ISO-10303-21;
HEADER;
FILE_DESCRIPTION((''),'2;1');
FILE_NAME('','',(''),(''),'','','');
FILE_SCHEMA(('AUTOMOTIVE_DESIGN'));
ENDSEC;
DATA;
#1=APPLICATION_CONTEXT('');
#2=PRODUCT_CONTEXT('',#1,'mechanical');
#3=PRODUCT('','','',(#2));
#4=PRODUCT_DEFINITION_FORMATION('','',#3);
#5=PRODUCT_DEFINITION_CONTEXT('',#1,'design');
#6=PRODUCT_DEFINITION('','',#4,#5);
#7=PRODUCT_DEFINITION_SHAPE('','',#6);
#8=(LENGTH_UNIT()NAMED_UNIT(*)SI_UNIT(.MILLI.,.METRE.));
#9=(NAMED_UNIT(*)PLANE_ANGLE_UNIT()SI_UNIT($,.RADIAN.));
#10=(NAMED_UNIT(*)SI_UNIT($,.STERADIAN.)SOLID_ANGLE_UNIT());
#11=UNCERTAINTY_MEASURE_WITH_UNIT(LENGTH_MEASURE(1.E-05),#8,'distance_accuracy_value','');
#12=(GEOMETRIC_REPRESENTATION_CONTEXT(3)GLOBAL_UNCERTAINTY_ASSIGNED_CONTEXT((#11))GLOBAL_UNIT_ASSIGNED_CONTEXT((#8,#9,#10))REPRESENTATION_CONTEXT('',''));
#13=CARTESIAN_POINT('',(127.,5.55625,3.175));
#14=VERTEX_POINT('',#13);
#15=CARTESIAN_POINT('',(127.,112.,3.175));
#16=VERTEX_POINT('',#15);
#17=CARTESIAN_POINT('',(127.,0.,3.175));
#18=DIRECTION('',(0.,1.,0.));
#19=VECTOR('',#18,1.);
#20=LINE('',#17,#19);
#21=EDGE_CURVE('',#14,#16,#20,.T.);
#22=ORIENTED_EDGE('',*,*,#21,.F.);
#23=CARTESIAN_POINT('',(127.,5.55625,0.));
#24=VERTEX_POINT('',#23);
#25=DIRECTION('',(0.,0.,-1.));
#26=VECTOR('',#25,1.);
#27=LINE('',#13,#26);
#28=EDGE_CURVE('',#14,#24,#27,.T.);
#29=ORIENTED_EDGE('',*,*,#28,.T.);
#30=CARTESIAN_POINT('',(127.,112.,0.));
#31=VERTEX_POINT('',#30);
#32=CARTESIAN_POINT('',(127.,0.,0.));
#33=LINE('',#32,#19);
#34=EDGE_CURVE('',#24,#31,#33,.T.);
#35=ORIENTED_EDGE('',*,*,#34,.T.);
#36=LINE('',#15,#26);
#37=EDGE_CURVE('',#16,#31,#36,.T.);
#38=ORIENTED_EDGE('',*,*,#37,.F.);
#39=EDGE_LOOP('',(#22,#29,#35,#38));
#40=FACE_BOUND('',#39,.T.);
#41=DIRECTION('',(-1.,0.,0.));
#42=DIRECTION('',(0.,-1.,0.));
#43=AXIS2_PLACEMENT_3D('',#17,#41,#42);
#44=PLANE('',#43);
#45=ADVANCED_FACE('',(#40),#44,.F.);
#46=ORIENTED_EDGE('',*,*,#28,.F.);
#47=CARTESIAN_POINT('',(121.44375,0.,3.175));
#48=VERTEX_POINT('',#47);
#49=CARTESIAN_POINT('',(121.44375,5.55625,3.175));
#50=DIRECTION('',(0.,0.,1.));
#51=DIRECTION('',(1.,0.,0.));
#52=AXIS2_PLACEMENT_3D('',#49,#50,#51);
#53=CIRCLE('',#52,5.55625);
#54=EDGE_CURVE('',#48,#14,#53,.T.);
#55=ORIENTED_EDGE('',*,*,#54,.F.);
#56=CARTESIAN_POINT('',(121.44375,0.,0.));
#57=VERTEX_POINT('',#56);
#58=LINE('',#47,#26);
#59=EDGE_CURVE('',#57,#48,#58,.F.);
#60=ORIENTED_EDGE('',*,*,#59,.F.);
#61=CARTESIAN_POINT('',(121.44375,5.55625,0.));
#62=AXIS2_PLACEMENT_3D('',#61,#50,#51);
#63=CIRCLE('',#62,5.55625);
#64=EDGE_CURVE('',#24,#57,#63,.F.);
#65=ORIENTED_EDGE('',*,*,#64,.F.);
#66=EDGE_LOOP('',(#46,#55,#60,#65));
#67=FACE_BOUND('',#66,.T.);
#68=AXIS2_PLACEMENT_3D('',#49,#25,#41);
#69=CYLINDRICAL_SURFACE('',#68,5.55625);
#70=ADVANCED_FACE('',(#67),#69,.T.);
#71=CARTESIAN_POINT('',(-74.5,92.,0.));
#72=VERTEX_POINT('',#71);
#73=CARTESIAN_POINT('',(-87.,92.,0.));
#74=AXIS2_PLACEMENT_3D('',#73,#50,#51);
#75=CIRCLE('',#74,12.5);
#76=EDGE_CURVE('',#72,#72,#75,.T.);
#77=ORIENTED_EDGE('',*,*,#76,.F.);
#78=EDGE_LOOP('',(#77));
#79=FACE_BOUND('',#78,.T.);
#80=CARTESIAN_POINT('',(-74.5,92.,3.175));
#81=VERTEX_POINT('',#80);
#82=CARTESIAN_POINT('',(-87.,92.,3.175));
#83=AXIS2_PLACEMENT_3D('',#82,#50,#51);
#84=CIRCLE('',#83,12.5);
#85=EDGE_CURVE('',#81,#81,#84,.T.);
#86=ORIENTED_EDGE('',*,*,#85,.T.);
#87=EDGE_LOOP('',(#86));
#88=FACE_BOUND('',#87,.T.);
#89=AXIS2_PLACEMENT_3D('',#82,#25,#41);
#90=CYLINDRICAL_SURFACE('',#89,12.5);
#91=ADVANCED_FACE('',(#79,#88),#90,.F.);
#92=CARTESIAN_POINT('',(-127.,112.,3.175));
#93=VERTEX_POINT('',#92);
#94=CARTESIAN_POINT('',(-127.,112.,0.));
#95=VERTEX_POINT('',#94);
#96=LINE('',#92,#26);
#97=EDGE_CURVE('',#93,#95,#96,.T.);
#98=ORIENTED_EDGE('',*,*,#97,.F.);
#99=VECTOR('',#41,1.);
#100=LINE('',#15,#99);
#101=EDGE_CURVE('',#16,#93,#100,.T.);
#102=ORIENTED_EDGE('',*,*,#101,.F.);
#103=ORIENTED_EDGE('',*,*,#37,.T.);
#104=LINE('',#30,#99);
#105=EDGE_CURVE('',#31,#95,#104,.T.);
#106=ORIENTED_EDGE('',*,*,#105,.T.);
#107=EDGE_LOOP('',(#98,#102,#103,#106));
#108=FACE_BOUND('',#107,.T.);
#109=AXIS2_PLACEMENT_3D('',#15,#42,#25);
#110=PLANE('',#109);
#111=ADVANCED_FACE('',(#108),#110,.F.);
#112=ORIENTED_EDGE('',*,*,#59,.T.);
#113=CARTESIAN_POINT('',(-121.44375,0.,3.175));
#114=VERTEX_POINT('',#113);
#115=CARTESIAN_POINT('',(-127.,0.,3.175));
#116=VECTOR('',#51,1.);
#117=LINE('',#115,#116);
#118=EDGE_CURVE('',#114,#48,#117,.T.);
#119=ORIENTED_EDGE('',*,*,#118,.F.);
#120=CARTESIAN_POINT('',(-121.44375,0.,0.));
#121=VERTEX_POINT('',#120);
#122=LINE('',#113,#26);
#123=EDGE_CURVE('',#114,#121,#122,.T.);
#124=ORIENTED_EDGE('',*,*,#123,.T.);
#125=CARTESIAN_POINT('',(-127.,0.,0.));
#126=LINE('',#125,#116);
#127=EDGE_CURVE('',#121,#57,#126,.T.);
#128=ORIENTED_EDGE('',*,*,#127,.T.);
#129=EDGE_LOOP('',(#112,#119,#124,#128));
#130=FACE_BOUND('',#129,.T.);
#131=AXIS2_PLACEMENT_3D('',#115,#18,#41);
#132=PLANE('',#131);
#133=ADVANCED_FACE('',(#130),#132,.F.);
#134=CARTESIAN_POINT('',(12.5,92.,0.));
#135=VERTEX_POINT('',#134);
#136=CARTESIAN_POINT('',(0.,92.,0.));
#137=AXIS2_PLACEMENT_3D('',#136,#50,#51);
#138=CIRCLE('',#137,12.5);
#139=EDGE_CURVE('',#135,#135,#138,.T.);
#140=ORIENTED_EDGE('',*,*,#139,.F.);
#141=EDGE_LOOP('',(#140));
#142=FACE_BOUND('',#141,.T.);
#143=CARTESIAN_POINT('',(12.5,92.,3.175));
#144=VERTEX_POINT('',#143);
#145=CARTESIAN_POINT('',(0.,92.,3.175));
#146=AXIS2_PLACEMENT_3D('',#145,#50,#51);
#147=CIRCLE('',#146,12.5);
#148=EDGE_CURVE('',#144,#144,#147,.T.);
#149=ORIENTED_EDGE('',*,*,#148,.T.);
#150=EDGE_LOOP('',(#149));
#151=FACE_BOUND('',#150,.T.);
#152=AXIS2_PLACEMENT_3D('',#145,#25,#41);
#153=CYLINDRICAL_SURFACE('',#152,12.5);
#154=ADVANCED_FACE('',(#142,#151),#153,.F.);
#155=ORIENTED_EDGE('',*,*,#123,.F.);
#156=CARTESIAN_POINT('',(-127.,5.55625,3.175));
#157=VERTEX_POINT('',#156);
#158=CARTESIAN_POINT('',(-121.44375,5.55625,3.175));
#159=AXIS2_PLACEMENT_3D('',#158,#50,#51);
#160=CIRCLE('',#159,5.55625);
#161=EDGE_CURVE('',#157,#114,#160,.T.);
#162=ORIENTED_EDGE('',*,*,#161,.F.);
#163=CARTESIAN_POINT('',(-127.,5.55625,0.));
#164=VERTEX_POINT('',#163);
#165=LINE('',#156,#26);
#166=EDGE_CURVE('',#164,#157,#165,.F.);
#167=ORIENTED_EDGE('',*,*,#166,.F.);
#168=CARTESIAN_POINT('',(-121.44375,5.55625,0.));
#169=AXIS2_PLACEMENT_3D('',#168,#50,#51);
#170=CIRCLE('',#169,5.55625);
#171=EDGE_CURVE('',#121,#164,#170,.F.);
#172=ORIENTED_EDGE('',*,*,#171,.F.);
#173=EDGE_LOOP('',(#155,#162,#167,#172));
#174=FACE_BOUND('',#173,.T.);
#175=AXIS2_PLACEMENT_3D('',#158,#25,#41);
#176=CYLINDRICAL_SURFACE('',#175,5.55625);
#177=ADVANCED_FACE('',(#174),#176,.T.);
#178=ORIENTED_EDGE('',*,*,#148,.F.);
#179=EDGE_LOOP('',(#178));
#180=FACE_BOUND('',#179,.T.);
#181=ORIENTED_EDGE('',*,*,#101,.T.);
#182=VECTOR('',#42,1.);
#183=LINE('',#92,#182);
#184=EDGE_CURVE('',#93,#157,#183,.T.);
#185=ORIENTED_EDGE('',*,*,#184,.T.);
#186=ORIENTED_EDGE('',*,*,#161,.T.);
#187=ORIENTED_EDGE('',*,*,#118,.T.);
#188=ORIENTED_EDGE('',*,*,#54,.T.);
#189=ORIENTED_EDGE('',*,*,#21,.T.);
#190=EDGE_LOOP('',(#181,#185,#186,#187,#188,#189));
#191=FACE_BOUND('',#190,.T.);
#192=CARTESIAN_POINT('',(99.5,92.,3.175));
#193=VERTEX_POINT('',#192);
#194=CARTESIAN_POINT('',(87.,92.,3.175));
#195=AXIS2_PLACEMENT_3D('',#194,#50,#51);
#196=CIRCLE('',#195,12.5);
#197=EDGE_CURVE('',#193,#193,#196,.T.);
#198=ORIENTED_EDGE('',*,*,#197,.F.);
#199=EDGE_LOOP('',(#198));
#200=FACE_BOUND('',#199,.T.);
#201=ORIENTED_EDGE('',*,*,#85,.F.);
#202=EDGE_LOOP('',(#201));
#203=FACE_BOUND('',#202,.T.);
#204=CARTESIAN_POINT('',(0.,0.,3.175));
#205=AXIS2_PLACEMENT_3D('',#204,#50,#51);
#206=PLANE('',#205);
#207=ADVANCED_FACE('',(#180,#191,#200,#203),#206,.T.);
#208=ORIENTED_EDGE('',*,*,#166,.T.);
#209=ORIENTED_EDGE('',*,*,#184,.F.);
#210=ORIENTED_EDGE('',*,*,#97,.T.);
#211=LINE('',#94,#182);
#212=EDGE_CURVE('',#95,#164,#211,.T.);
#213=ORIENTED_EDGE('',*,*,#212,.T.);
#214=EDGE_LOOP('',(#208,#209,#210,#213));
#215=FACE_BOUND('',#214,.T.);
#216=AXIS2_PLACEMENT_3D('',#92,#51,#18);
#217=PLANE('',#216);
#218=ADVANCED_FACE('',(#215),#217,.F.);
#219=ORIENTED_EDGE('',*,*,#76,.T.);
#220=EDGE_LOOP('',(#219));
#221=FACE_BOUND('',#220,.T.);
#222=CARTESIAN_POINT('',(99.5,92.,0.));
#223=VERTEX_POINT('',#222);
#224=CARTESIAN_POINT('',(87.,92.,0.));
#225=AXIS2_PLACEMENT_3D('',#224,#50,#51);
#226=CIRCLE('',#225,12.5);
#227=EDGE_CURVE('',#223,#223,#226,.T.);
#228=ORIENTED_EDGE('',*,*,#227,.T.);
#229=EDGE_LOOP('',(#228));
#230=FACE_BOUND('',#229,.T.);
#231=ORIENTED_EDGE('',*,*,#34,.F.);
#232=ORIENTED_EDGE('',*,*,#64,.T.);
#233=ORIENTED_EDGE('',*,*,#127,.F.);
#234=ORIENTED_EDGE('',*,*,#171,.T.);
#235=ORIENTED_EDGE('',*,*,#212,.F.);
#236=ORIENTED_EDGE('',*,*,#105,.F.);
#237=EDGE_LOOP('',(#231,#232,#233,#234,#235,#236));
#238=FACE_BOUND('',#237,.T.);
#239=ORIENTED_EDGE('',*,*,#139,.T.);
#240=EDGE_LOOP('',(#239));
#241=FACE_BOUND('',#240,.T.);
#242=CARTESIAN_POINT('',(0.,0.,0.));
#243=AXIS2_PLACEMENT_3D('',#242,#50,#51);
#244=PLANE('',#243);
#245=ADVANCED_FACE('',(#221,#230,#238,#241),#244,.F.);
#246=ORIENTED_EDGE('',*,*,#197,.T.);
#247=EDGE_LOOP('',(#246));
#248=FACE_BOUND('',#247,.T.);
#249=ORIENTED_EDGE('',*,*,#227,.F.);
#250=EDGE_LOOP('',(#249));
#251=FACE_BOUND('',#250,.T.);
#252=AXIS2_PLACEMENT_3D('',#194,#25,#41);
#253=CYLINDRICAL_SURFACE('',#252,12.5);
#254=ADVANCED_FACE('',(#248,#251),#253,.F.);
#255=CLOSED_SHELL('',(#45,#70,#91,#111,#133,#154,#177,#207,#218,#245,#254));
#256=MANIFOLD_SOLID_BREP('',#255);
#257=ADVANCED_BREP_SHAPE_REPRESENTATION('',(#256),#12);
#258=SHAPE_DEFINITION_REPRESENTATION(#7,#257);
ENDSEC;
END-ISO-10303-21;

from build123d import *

# Parameters (mm, degrees)
SKETCH1_W           = 254
SKETCH1_H           = 112
SKETCH1_R           = 12.5
BOSS_EXTRUDE1_DEPTH = 3.175
FILLET1_R           = 5.55625


with BuildPart() as part:
    # Sketch1 → Boss-Extrude1 (new body)
    with BuildSketch(Plane.XY):
        with Locations((0, 56)):
            Rectangle(SKETCH1_W, SKETCH1_H)
        with Locations((87, 92)):
            Circle(SKETCH1_R, mode=Mode.SUBTRACT)
        with Locations((0, 92)):
            Circle(SKETCH1_R, mode=Mode.SUBTRACT)
        with Locations((-87, 92)):
            Circle(SKETCH1_R, mode=Mode.SUBTRACT)
    extrude(amount=BOSS_EXTRUDE1_DEPTH)

    # Fillet1
    fillet1_edges = [part.edges().sort_by_distance(p)[0] for p in [
        (127, 0, 1.5875),
        (-127, 0, 1.5875),
    ]]
    fillet(fillet1_edges, radius=FILLET1_R)


solid = part.part
